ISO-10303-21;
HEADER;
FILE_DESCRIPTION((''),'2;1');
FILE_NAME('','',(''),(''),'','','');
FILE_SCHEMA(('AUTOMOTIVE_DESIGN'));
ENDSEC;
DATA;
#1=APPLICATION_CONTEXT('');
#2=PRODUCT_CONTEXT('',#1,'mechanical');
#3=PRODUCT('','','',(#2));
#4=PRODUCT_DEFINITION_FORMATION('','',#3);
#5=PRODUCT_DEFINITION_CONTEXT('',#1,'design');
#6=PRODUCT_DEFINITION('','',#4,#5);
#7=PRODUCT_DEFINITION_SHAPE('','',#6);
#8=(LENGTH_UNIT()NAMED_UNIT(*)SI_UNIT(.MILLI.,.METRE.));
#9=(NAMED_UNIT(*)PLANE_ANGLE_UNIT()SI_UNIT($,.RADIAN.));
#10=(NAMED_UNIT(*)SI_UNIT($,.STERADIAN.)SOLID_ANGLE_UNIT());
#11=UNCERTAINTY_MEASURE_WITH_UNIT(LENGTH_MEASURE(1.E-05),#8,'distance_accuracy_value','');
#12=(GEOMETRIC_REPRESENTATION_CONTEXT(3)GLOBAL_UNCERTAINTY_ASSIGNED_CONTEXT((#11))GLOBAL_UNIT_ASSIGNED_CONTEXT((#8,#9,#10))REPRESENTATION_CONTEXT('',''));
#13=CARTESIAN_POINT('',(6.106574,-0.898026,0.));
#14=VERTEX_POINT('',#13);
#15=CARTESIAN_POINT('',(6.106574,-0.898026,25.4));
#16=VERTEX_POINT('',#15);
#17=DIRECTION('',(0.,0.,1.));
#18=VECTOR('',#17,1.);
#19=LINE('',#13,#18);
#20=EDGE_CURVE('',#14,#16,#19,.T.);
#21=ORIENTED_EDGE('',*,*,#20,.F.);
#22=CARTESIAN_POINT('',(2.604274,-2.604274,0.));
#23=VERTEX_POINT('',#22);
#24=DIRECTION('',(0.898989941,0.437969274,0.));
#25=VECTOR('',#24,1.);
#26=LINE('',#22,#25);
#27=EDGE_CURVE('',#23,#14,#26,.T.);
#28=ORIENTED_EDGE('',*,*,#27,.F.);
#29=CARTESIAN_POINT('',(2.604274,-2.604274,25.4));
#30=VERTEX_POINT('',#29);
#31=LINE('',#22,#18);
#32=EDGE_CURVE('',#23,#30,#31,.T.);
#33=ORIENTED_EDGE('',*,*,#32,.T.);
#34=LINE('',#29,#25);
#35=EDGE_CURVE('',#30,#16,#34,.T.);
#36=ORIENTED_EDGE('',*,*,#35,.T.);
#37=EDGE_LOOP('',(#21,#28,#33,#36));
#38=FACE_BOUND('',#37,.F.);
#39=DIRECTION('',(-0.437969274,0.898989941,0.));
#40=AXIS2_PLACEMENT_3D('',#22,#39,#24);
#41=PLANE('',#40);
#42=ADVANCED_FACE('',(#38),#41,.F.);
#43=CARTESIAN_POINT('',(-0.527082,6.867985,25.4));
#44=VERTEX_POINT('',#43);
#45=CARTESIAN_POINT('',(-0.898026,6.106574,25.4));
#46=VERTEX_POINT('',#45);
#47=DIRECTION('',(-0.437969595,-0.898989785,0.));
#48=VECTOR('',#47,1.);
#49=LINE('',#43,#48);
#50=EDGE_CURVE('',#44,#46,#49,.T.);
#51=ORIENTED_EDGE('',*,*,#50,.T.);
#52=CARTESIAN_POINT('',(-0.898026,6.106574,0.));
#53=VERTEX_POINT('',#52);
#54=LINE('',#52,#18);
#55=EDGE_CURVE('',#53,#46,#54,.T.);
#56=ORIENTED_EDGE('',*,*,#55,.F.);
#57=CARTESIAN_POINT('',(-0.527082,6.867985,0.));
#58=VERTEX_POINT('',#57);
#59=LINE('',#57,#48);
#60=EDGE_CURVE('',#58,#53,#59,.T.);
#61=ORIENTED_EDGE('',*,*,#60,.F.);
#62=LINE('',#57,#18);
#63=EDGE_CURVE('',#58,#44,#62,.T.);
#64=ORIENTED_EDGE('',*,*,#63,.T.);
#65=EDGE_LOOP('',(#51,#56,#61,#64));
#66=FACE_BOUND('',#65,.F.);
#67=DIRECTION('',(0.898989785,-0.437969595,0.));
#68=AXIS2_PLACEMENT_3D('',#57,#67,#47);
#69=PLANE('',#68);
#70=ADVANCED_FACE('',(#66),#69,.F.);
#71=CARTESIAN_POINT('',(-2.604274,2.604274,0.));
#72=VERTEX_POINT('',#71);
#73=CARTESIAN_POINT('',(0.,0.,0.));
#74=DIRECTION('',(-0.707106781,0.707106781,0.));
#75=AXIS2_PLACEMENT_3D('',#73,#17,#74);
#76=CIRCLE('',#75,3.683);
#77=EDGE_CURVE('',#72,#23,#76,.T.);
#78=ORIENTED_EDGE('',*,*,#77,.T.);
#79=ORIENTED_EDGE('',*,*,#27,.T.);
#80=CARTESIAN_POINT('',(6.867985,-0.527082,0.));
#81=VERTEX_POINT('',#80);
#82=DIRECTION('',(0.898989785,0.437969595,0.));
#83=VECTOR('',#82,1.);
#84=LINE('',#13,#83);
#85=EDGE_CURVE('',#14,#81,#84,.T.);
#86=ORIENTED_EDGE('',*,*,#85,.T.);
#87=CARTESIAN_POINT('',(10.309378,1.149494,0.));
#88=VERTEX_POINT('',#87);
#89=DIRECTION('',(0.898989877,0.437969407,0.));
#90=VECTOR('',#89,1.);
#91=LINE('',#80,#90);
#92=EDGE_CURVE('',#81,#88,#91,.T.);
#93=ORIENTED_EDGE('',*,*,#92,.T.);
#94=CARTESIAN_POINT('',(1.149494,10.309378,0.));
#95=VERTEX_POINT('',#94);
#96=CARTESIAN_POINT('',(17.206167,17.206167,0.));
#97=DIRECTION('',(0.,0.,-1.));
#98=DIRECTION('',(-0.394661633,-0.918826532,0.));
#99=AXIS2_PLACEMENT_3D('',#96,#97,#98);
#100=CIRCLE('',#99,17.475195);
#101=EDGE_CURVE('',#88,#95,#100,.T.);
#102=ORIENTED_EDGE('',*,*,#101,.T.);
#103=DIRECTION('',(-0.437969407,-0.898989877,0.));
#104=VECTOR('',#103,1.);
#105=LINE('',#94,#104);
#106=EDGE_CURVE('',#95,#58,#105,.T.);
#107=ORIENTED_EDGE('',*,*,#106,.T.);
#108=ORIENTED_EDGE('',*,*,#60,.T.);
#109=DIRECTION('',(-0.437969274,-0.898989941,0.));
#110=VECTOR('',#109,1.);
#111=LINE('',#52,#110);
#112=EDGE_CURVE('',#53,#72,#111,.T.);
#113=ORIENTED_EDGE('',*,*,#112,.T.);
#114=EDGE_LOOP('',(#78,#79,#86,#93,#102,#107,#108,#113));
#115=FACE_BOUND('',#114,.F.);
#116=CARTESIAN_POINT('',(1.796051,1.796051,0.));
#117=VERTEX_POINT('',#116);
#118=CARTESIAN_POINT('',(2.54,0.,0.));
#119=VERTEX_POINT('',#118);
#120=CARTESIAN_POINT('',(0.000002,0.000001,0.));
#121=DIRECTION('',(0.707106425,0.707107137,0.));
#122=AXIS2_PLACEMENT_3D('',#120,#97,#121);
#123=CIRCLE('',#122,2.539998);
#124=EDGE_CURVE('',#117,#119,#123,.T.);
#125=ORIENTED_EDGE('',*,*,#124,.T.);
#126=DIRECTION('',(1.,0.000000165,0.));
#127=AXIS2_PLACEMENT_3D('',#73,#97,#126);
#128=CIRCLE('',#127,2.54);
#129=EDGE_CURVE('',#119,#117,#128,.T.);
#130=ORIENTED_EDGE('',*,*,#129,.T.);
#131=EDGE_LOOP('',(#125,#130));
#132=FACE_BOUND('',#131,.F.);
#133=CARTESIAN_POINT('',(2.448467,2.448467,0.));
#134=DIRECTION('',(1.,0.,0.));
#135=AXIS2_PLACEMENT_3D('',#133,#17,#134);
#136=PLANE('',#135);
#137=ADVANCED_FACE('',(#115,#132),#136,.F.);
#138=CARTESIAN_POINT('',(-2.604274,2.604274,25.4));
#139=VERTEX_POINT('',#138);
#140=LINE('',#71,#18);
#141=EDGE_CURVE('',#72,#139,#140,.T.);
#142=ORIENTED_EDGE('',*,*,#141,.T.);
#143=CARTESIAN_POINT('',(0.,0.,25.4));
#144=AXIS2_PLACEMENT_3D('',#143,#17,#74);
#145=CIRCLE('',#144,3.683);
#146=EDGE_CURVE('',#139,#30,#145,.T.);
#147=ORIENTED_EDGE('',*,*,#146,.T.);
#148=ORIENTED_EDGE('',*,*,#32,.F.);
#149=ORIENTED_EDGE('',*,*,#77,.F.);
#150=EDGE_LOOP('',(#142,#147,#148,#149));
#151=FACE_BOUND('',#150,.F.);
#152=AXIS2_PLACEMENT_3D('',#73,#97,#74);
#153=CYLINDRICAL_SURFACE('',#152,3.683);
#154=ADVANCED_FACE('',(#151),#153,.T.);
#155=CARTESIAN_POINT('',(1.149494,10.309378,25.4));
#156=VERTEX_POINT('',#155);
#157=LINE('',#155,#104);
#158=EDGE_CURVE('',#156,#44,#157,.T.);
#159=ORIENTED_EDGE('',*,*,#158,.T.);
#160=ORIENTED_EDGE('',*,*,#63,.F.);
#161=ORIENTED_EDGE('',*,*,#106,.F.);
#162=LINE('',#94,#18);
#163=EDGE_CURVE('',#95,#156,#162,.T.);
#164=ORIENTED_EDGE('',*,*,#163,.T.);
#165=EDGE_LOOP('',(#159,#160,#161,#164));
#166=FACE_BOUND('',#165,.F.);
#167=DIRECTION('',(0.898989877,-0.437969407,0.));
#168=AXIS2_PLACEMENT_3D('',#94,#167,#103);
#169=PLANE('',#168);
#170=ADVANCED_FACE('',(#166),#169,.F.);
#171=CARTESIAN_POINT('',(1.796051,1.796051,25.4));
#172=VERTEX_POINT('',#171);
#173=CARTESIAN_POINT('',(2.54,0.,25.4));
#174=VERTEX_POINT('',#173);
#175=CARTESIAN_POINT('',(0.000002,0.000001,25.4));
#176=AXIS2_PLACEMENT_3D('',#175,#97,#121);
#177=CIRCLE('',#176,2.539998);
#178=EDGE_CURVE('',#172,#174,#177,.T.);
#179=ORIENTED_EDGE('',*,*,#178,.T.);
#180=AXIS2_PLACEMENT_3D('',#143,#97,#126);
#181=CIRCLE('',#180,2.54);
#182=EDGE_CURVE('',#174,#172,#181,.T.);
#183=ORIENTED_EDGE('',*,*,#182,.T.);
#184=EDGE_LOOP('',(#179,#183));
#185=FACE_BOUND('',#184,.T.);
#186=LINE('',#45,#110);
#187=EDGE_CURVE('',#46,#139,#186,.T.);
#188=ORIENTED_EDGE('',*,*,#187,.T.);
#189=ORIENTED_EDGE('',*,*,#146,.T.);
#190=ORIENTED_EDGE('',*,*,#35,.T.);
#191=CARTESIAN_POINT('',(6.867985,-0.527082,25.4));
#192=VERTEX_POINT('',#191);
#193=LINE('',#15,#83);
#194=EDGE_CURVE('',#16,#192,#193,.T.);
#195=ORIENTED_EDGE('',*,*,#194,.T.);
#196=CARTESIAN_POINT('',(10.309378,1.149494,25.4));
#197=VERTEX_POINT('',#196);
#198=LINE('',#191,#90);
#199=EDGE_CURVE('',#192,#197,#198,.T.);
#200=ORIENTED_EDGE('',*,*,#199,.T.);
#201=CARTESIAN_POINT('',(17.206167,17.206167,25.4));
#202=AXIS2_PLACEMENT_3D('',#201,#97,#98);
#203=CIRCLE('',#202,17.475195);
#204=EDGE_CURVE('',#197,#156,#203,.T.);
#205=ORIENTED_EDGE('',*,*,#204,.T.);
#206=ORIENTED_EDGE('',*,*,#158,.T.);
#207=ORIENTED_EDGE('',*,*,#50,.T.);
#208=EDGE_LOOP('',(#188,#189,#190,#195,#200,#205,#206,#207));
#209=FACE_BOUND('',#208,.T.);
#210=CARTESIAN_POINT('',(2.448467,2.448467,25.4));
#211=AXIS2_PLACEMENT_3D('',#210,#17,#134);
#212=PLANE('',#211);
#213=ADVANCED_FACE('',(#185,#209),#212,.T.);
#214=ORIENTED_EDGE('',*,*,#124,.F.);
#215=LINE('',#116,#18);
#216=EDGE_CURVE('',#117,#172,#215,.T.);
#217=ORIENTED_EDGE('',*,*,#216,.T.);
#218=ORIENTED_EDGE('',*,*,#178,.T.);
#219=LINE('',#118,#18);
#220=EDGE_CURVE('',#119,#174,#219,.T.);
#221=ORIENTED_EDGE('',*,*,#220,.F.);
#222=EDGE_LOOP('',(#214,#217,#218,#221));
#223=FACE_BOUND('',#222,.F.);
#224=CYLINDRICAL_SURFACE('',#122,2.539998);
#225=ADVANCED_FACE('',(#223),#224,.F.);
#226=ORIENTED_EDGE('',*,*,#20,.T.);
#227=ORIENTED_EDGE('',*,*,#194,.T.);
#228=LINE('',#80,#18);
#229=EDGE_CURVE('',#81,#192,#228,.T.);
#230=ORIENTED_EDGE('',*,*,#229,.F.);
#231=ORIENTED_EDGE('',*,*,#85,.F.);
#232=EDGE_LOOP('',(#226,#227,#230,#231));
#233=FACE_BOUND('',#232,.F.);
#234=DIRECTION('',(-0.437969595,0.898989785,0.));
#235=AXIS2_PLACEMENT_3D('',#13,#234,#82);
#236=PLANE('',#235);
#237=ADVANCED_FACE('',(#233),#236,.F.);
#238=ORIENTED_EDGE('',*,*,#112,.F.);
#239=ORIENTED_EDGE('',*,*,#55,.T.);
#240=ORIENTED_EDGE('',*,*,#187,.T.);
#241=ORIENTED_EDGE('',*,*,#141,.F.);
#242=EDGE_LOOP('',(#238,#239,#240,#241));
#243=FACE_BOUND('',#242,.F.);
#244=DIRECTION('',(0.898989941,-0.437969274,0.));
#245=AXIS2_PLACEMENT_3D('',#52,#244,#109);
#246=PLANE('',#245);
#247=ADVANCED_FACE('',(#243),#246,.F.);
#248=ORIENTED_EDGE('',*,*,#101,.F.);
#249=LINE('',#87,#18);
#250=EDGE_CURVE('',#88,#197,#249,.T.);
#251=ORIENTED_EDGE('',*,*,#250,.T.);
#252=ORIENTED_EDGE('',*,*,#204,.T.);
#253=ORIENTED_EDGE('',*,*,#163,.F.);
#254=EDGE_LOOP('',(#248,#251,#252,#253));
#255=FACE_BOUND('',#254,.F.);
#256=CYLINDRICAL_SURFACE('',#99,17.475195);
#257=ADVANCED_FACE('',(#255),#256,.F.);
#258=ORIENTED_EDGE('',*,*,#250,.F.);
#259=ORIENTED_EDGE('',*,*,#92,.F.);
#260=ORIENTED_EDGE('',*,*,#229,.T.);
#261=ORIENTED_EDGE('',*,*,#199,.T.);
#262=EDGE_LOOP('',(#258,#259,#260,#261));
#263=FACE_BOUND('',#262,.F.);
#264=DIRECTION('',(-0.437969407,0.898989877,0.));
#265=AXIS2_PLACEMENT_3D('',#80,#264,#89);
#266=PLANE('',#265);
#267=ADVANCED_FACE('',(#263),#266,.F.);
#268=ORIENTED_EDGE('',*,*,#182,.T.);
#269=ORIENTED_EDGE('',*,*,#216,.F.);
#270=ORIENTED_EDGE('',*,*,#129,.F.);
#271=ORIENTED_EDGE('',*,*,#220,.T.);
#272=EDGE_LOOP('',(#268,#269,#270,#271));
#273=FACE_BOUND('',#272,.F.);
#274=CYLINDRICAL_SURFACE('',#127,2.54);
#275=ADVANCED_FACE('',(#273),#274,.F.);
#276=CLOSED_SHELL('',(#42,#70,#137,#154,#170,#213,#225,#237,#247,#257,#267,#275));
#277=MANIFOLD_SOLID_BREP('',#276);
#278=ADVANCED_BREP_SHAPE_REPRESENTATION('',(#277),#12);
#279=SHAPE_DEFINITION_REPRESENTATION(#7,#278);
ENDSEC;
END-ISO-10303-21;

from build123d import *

# Parameters (mm, degrees)
F1_DEPTH = 25.4


with BuildPart() as f1:
    # F0 (on Top) → F1 (new body)
    with BuildSketch(Plane.XY):
        with BuildLine():
            Line((-0.898026, 6.106574), (-2.604274, 2.604274))
            ThreePointArc((-2.604274, 2.604274), (-2.604274, -2.604274), (2.604274, -2.604274))
            Line((2.604274, -2.604274), (6.106574, -0.898026))
            Line((6.106574, -0.898026), (6.867985, -0.527082))
            Line((6.867985, -0.527082), (10.309378, 1.149494))
            ThreePointArc((10.309378, 1.149494), (4.849338, 4.849338), (1.149494, 10.309378))
            Line((1.149494, 10.309378), (-0.527082, 6.867985))
            Line((-0.527082, 6.867985), (-0.898026, 6.106574))
        make_face()
        with BuildLine():
            ThreePointArc((1.796051, 1.796051), (2.346654, 0.972016), (2.54, 0))
            ThreePointArc((2.54, 0), (-2.346654, -0.972016), (1.796051, 1.796051))
        make_face(mode=Mode.SUBTRACT)
    extrude(amount=F1_DEPTH)


solid = f1.part
